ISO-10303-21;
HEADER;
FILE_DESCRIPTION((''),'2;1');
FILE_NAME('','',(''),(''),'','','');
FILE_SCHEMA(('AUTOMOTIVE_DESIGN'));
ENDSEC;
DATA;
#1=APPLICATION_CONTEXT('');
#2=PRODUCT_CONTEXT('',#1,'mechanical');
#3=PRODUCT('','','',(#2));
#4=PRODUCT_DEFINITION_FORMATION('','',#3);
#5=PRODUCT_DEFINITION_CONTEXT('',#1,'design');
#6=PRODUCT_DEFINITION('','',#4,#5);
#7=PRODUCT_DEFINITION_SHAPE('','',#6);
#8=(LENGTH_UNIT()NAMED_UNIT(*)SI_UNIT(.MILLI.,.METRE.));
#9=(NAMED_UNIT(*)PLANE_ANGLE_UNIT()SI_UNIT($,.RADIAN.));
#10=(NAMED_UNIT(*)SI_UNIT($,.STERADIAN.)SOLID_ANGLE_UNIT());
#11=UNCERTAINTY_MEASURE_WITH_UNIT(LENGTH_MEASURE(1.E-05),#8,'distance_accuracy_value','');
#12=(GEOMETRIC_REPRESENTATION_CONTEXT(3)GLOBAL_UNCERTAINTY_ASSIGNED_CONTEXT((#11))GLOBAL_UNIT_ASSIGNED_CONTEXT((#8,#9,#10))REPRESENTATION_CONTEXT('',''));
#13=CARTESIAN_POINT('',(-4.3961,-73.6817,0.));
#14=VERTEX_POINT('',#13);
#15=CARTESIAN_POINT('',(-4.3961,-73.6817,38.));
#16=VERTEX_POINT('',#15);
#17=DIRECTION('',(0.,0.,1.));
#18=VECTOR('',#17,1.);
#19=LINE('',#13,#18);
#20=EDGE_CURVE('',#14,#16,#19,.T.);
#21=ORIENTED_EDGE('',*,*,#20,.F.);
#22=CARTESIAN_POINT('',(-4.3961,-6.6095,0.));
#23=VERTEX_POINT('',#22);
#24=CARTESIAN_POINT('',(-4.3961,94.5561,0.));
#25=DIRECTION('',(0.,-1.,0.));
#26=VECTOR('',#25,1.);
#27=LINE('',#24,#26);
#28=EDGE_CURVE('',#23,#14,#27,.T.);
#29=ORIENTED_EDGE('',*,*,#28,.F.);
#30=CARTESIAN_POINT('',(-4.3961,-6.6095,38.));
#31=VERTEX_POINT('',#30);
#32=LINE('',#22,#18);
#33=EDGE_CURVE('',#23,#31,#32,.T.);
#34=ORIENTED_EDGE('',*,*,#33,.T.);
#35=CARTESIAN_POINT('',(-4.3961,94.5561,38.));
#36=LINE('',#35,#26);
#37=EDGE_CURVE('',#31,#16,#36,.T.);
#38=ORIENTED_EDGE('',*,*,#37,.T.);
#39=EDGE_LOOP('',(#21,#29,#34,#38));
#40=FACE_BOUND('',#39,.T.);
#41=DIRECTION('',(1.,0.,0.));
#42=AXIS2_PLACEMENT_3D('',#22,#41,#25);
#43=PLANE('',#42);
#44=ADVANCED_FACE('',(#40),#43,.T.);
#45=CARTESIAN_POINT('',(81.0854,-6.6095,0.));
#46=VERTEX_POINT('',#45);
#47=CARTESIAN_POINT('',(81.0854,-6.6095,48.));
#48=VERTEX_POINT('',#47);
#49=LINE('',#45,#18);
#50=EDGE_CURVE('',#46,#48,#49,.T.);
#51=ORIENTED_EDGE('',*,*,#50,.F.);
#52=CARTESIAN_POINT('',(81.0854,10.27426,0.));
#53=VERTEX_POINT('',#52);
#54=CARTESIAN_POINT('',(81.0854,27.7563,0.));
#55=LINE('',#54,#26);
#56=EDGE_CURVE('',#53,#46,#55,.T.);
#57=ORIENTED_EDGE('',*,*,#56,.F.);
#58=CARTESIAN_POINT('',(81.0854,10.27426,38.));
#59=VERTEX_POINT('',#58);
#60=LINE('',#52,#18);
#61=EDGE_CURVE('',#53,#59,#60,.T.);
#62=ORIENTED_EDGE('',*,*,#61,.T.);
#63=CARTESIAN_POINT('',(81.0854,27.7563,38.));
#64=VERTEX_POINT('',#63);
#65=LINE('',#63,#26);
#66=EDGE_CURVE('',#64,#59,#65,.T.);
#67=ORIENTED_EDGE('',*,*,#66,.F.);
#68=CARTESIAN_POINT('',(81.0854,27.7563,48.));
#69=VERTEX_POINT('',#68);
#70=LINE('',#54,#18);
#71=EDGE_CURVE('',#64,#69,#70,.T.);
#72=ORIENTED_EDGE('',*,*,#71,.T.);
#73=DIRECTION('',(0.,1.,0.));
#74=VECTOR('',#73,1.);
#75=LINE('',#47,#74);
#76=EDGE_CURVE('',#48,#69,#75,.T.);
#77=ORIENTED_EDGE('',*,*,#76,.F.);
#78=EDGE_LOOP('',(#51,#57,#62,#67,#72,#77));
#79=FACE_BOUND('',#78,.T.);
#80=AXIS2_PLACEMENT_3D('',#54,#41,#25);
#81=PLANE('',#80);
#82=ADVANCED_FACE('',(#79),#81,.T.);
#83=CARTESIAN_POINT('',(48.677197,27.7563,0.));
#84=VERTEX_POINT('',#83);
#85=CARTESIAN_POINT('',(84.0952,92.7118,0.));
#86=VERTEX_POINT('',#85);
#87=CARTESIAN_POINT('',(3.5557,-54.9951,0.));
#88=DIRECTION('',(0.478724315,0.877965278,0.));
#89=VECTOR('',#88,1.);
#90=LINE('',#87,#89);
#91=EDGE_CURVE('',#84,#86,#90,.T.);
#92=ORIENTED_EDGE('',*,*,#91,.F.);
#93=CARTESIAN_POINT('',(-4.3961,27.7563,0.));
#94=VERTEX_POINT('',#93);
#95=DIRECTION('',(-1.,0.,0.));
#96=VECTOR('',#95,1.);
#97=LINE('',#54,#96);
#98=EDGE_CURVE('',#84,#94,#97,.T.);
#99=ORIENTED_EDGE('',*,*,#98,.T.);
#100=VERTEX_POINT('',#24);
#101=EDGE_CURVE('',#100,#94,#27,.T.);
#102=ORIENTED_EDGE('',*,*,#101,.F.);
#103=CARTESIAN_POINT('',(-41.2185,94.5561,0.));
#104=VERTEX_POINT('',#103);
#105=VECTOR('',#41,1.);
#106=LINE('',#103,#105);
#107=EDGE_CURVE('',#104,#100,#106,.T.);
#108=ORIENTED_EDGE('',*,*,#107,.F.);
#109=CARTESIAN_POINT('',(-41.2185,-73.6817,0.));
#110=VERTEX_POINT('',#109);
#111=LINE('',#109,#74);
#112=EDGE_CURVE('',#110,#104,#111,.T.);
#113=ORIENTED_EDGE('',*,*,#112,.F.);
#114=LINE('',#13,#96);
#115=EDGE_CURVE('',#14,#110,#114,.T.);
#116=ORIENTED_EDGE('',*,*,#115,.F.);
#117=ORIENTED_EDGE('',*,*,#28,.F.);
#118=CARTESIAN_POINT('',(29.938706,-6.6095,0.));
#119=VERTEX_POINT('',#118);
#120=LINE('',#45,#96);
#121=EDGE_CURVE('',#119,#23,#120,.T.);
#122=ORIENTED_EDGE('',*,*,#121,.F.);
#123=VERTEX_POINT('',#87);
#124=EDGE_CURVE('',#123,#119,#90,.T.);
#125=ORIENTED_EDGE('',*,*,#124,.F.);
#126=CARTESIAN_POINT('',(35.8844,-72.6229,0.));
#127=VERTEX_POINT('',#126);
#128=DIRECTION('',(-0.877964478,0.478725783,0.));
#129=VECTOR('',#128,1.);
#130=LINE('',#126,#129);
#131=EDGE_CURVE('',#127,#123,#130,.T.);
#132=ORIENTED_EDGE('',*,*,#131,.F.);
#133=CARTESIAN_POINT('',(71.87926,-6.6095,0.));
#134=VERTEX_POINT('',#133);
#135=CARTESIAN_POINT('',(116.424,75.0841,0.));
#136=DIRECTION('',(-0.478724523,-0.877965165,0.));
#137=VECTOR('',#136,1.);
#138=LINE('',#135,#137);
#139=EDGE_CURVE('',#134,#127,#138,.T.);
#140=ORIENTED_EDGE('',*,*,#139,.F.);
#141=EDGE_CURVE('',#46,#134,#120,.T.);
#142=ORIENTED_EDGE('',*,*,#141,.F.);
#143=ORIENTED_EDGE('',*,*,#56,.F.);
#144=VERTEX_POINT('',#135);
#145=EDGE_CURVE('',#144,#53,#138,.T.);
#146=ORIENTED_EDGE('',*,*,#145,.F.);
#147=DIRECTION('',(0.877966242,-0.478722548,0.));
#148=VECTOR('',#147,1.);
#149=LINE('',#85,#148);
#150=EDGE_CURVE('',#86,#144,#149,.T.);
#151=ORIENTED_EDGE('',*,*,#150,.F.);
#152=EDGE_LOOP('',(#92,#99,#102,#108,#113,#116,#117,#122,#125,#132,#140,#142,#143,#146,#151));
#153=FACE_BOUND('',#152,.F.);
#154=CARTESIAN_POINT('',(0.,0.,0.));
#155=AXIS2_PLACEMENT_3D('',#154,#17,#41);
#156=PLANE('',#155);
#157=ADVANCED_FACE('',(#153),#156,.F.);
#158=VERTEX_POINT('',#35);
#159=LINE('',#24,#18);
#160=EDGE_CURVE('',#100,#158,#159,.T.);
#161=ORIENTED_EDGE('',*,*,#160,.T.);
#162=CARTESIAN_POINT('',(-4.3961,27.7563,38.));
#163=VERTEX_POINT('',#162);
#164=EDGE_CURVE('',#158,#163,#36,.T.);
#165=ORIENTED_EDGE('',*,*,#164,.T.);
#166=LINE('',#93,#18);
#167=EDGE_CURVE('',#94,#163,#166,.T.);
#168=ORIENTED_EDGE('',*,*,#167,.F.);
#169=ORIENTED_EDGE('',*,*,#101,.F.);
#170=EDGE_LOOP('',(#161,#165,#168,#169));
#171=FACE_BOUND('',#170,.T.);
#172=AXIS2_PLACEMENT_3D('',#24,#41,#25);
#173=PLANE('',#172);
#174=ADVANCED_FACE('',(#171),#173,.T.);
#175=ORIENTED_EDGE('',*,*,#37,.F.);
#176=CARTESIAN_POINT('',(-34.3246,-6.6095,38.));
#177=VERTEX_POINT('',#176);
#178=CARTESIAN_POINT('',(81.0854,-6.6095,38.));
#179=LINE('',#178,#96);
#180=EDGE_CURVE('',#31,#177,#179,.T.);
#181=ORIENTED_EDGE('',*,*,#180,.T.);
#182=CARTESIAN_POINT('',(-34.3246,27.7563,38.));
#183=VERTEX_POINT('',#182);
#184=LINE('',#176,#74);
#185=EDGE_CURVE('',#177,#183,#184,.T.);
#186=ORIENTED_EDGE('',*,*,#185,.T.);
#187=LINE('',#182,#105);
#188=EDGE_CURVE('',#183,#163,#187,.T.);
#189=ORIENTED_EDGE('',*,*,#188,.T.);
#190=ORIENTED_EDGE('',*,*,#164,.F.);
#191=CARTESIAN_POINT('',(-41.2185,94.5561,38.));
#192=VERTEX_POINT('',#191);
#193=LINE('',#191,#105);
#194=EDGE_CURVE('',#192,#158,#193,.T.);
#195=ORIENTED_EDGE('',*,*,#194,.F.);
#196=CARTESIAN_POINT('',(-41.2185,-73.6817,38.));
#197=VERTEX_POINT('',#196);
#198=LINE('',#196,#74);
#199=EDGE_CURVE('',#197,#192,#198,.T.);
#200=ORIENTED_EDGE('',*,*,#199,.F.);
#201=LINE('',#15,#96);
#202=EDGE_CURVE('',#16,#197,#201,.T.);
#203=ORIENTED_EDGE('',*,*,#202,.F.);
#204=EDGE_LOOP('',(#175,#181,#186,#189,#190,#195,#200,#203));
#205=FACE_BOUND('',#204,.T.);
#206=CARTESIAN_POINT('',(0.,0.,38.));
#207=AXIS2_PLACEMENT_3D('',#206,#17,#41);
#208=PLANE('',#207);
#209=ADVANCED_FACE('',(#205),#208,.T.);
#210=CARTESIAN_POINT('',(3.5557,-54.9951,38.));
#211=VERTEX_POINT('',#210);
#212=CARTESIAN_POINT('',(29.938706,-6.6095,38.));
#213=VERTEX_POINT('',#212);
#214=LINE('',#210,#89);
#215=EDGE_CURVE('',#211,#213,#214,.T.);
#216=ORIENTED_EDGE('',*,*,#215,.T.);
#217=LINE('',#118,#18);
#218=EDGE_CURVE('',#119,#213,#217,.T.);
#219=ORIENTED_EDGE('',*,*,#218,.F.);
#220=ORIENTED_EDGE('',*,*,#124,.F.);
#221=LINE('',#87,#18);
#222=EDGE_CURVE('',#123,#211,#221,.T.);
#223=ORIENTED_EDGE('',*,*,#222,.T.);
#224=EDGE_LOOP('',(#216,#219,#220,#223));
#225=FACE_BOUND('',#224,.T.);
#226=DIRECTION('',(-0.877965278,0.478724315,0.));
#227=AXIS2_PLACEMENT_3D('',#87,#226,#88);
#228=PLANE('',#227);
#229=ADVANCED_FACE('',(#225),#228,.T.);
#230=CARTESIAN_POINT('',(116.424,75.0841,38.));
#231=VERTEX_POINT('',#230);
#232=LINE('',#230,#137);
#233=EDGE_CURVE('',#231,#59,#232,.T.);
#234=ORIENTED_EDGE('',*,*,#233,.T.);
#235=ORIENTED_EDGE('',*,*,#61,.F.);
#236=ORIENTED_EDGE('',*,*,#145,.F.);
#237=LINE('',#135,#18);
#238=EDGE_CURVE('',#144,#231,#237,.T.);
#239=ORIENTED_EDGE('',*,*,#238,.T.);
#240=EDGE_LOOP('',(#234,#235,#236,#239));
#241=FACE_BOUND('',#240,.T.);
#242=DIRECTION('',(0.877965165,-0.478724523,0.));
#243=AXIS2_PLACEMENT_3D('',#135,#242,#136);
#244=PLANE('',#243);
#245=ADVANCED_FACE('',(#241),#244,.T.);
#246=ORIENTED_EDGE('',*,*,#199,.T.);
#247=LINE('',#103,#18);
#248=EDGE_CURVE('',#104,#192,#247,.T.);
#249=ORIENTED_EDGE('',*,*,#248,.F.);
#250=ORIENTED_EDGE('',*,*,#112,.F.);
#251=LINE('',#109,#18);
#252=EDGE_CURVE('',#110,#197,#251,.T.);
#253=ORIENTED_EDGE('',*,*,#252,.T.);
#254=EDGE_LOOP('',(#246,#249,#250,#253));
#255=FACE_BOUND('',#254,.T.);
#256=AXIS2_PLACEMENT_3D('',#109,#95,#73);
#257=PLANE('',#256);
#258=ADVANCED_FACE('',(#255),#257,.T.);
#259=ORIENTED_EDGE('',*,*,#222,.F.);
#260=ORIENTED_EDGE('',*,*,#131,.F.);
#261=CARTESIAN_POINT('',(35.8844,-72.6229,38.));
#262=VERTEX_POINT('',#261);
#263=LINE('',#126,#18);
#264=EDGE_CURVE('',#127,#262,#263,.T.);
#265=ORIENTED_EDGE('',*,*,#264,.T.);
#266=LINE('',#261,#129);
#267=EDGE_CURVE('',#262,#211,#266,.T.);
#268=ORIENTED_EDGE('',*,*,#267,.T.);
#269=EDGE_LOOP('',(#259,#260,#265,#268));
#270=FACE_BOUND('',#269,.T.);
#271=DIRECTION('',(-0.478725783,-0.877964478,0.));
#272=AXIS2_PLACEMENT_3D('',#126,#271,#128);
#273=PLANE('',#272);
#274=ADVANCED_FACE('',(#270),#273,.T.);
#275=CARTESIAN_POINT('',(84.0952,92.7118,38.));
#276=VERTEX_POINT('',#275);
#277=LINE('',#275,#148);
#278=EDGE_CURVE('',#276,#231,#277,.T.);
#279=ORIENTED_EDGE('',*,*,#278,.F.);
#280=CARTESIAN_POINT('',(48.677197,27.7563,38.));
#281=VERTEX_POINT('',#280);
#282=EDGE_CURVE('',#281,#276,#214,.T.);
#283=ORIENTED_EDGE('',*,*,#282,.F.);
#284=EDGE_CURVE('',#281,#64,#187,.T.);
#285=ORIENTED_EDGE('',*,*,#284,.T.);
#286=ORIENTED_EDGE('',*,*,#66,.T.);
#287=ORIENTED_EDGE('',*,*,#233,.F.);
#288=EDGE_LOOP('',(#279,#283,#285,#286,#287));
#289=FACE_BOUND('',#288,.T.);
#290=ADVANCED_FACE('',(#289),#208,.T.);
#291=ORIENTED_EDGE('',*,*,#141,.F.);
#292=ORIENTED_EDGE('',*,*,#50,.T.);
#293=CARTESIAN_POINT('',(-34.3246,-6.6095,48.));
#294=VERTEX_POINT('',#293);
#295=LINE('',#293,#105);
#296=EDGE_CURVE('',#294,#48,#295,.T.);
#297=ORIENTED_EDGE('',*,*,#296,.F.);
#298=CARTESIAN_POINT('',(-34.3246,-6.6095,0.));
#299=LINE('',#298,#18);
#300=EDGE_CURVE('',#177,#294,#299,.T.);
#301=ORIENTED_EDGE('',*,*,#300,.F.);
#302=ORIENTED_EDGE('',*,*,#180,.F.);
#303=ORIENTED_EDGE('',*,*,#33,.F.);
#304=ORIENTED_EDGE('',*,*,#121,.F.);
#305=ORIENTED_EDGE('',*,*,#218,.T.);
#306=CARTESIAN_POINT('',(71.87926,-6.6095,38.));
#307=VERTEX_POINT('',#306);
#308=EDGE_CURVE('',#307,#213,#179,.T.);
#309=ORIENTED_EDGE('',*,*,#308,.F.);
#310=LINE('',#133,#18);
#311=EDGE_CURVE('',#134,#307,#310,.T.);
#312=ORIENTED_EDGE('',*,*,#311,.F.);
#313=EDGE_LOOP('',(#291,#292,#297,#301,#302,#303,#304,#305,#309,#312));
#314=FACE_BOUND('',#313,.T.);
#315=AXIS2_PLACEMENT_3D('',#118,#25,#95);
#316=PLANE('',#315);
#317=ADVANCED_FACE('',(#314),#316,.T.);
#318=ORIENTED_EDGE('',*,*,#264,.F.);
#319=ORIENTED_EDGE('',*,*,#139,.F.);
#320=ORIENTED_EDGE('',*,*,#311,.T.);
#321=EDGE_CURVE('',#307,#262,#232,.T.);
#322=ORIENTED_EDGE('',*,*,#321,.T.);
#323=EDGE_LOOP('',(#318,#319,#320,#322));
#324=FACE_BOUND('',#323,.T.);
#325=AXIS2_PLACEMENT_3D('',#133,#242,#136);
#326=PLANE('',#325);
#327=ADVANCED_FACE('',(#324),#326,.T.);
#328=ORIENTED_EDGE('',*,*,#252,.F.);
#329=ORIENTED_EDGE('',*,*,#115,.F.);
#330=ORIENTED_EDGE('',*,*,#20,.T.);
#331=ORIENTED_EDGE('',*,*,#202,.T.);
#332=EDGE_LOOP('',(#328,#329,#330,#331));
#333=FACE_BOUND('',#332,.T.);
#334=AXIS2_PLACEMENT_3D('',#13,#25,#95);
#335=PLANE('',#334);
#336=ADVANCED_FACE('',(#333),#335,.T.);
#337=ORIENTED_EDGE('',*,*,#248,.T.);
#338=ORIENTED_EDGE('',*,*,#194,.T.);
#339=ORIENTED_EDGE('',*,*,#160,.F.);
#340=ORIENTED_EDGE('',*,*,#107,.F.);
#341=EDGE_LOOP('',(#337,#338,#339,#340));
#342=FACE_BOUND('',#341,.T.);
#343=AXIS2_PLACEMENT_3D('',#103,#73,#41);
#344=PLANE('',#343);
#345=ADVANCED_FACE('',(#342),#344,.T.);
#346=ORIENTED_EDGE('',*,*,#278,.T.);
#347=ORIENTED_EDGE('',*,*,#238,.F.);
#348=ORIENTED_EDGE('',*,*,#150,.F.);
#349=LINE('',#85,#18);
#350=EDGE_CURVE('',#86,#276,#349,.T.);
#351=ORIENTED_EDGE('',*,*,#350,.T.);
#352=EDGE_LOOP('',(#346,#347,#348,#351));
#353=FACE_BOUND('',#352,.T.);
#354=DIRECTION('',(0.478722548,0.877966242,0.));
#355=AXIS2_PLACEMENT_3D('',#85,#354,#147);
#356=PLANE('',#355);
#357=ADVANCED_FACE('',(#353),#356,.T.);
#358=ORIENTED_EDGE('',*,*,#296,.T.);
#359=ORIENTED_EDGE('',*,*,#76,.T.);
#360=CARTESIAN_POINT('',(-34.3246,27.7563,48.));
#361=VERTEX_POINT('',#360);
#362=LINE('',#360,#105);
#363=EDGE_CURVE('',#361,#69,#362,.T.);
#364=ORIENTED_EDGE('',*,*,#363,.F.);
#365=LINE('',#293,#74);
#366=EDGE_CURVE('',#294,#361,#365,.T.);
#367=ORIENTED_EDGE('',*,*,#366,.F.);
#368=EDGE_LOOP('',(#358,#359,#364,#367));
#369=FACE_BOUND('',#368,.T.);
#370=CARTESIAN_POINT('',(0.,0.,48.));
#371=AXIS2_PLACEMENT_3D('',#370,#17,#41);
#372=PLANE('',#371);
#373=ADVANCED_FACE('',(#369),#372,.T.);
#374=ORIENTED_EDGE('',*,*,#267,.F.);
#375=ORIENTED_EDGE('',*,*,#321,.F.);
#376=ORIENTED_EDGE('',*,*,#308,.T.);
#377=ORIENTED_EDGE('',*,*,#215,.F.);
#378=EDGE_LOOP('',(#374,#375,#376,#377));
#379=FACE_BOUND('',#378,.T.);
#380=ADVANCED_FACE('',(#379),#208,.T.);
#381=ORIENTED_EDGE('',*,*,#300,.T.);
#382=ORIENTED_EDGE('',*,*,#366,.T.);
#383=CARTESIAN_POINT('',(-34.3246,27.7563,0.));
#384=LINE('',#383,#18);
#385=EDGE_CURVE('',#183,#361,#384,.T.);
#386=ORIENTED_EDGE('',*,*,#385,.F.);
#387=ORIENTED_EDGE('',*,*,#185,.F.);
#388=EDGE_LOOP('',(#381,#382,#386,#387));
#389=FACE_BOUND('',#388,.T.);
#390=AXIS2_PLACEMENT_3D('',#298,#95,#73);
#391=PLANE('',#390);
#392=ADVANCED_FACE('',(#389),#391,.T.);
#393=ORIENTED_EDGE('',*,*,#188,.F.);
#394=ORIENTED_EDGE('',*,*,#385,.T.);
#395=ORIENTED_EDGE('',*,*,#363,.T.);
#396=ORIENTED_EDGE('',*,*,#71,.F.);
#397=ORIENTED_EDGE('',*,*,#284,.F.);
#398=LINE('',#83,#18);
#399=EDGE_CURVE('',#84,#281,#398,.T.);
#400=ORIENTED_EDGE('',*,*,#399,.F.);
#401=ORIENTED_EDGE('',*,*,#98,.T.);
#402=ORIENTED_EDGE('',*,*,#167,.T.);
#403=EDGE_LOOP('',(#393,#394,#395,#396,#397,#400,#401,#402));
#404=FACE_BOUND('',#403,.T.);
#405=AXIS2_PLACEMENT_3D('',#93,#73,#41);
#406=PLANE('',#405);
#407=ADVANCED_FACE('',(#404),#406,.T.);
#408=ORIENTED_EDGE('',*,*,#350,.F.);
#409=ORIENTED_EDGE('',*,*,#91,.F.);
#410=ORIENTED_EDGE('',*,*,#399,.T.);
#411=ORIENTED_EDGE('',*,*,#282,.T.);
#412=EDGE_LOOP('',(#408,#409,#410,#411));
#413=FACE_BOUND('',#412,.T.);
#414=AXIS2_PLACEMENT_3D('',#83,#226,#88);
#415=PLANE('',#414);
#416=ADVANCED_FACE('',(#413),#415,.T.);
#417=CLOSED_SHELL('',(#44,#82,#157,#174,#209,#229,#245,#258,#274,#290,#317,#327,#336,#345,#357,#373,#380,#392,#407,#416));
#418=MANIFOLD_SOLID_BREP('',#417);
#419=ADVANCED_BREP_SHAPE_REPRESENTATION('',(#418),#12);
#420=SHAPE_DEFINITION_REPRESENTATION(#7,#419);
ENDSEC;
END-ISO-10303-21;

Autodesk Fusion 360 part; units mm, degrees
sketch "Sketch1" plane through (0, 0, 0) normal (0, 0, 1) x (1, 0, 0)
  line L0 (-41.2185, 94.5561) -> (-4.3961, 94.5561)
  line L1 (-4.3961, 94.5561) -> (-4.3961, -73.6817)
  line L2 (-4.3961, -73.6817) -> (-41.2185, -73.6817)
  line L3 (-41.2185, -73.6817) -> (-41.2185, 94.5561)
  line L4 (84.0952, 92.7118) -> (116.424, 75.0841)
  line L5 (116.424, 75.0841) -> (35.8844, -72.6229)
  line L6 (35.8844, -72.6229) -> (3.5557, -54.9951)
  line L7 (3.5557, -54.9951) -> (84.0952, 92.7118)
  line L8 (81.0854, 27.7563) -> (81.0854, -6.6095)
  line L9 (81.0854, -6.6095) -> (-34.3246, -6.6095)
  line L10 (-34.3246, -6.6095) -> (-34.3246, 27.7563)
  line L11 (-34.3246, 27.7563) -> (81.0854, 27.7563)
extrude "Extrude2" add sketch "Sketch1" along normal blind 48 contours L1 L7 L9 L11 | L1 L9 L10 L11 | L5 L7 L8 L9 L11 | L5 L8 L9 makes body 1
extrude "Extrude1" add sketch "Sketch1" along normal blind 38 separate body contours L0 L1 L2 L3 L9 L10 L11 makes body 2
extrude "Extrude3" add sketch "Sketch1" along normal blind 38 separate body contours L5 L6 L7 L9 makes body 3
extrude "Extrude4" add sketch "Sketch1" along normal blind 38 separate body contours L4 L5 L7 L8 L11 makes body 4
combine "Combine1" operation add target body 4 tool bodies 3 2 1
